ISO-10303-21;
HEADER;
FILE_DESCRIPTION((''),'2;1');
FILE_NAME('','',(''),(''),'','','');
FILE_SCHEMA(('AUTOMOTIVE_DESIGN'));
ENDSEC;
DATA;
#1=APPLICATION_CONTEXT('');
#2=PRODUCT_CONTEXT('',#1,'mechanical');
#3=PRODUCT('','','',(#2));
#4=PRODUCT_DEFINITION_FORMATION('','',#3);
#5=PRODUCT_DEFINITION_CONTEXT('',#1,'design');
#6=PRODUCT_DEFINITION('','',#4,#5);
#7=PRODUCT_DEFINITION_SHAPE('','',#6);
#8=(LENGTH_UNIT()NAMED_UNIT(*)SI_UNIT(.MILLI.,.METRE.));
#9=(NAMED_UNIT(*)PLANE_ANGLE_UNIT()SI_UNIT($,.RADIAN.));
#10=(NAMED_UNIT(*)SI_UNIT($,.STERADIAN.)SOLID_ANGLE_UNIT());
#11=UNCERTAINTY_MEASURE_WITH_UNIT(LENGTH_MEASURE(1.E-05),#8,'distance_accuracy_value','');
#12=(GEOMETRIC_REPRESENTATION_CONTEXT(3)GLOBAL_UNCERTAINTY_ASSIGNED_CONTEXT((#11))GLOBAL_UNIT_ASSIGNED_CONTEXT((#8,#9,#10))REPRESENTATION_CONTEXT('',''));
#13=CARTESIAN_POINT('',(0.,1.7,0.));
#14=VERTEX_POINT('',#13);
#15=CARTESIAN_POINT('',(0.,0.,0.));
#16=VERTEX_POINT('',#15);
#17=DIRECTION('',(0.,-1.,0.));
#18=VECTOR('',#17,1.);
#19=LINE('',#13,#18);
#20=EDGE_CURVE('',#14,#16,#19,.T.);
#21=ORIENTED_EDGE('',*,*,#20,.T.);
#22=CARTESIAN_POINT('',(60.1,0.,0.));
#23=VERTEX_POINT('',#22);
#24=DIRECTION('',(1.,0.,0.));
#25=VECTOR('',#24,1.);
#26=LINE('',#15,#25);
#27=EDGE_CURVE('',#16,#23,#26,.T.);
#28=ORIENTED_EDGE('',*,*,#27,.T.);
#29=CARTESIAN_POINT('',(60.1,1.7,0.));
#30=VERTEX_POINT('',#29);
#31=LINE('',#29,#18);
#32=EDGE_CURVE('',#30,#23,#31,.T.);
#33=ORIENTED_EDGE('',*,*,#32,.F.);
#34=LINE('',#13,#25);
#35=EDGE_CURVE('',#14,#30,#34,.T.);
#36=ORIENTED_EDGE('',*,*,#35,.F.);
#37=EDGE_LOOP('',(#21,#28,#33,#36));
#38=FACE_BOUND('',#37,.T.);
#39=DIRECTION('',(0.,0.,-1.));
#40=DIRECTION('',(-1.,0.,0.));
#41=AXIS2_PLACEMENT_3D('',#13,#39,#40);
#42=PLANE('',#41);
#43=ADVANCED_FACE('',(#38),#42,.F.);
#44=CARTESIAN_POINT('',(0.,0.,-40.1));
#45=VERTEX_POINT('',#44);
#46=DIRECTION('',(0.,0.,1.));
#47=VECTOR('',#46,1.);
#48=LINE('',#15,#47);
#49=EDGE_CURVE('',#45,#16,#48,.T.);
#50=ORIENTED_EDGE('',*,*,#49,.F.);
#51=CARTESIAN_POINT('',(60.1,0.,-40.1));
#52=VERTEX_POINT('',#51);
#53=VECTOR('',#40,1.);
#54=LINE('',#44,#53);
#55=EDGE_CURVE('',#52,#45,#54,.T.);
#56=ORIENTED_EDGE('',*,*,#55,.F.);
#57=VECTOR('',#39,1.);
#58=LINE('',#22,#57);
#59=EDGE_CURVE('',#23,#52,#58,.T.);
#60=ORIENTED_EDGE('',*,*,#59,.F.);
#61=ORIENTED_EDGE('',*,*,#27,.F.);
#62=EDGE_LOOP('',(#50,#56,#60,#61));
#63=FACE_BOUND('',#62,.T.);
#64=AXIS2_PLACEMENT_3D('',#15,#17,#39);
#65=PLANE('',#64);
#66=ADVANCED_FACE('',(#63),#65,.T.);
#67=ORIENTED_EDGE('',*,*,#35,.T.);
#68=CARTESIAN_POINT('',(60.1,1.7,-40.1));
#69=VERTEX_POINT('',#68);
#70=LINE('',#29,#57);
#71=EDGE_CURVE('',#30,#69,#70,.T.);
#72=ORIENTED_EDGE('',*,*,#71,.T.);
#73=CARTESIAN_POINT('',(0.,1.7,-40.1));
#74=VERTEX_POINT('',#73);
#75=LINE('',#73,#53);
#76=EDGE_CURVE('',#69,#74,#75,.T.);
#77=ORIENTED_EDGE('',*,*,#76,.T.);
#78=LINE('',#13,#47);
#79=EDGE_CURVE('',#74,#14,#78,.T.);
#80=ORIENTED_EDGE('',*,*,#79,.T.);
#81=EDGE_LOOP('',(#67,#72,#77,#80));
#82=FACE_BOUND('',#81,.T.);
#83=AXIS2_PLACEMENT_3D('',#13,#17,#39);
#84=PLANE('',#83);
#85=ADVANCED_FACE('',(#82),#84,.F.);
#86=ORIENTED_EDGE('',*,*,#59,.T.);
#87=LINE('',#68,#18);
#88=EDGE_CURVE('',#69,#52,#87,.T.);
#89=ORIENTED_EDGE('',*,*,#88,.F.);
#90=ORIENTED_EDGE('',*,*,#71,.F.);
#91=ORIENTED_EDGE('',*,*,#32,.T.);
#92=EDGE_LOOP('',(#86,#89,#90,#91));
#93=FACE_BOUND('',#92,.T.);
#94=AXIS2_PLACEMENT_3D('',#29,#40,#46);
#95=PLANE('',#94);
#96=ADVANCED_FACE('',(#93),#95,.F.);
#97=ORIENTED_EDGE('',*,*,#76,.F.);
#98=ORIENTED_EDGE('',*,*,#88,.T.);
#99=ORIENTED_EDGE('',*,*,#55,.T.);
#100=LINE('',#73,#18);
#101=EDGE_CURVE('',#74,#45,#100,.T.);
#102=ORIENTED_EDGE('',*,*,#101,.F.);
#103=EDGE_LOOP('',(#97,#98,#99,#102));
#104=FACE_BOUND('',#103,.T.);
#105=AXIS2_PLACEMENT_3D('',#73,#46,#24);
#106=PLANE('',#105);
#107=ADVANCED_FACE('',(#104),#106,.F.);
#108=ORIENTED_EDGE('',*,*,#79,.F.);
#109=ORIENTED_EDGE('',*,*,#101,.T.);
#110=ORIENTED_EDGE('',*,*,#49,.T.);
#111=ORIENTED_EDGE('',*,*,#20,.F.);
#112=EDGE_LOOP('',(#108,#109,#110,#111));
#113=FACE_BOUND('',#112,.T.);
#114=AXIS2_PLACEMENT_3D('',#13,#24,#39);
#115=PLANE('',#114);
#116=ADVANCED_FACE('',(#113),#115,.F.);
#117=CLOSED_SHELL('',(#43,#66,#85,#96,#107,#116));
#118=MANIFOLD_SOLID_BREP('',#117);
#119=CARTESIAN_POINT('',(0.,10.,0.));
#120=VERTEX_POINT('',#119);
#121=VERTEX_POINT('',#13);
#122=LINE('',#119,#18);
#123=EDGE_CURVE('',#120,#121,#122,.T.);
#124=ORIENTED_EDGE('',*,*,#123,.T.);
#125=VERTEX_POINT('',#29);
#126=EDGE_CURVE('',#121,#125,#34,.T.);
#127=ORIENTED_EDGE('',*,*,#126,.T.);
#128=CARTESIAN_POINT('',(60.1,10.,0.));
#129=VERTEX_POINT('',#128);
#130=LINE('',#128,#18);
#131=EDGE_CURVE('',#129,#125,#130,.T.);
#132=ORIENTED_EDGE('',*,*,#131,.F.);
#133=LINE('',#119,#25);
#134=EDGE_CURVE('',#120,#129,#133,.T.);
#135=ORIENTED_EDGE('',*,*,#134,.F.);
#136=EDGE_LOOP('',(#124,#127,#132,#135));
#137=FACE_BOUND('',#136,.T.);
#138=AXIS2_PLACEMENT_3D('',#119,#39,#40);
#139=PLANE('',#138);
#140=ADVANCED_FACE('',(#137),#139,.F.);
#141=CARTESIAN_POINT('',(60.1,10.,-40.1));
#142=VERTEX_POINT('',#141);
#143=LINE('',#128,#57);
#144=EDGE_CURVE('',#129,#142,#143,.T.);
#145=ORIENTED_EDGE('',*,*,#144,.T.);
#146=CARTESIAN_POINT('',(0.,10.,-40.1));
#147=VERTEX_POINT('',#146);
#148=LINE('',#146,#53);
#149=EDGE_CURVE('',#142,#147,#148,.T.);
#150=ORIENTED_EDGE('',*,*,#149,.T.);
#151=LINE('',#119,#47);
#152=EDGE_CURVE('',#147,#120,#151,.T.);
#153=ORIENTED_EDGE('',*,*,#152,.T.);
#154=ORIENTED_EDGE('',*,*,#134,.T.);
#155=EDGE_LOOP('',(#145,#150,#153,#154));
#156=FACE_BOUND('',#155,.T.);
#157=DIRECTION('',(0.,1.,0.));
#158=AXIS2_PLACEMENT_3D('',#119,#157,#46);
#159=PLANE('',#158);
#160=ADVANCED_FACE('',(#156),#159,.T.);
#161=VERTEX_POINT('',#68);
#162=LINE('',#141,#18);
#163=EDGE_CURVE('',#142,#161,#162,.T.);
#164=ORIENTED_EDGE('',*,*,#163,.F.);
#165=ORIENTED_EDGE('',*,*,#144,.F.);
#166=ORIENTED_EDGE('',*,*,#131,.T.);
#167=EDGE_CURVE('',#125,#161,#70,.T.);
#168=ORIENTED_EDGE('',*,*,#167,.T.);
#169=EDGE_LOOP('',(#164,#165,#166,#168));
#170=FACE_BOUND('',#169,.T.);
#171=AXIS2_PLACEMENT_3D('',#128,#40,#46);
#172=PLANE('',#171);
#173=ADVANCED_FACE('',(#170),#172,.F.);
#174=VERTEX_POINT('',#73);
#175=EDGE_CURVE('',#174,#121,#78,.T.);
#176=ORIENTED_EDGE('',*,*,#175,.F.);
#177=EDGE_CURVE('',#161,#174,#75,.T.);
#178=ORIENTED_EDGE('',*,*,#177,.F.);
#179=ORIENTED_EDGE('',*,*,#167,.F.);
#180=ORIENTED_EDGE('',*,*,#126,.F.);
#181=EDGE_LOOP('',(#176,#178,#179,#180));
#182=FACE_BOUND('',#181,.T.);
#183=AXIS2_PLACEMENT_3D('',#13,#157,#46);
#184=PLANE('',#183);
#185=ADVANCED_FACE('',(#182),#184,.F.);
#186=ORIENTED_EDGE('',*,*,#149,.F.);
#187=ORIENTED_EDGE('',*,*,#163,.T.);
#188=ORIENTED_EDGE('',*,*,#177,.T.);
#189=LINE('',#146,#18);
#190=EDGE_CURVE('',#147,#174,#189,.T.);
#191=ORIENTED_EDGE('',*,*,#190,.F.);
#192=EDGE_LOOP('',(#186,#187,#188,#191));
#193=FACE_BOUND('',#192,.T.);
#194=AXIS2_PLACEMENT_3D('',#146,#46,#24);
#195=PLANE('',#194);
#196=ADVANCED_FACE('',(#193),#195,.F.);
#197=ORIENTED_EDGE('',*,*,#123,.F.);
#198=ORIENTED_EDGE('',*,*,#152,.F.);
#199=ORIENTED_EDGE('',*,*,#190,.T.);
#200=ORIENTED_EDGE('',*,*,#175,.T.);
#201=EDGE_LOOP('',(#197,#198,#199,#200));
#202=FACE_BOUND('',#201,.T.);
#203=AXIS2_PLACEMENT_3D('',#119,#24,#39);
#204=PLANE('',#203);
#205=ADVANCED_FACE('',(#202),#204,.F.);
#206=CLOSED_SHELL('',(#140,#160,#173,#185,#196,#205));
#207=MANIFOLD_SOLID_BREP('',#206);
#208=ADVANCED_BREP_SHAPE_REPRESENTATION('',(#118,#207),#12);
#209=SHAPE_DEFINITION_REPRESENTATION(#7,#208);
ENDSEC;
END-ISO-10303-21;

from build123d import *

# Parameters (mm, degrees)
SKETCH1_W           = 60.1
SKETCH1_H           = 40.1
BOSS_EXTRUDE1_DEPTH = 1.7
BOSS_EXTRUDE2_START = 1.7
SKETCH1_2_W         = 60.1
SKETCH1_2_H         = 40.1
BOSS_EXTRUDE2_DEPTH = 8.3


with BuildPart() as part:
    # Sketch1 → Boss-Extrude1 (new body)
    with BuildSketch(Plane(origin=(0, 0, 0), x_dir=(1, 0, 0), z_dir=(0, 1, 0))):
        with Locations((30.05, 20.05)):
            Rectangle(SKETCH1_W, SKETCH1_H)
    extrude(amount=BOSS_EXTRUDE1_DEPTH)


with BuildPart() as body_2:
    # Sketch1<2> → Boss-Extrude2 (new body)
    with BuildSketch(Plane(origin=(0, 0, 0), x_dir=(1, 0, 0), z_dir=(0, 1, 0)).offset(BOSS_EXTRUDE2_START)):
        with Locations((30.05, 20.05)):
            Rectangle(SKETCH1_2_W, SKETCH1_2_H)
    extrude(amount=BOSS_EXTRUDE2_DEPTH)


solid = Compound([part.part, body_2.part])
